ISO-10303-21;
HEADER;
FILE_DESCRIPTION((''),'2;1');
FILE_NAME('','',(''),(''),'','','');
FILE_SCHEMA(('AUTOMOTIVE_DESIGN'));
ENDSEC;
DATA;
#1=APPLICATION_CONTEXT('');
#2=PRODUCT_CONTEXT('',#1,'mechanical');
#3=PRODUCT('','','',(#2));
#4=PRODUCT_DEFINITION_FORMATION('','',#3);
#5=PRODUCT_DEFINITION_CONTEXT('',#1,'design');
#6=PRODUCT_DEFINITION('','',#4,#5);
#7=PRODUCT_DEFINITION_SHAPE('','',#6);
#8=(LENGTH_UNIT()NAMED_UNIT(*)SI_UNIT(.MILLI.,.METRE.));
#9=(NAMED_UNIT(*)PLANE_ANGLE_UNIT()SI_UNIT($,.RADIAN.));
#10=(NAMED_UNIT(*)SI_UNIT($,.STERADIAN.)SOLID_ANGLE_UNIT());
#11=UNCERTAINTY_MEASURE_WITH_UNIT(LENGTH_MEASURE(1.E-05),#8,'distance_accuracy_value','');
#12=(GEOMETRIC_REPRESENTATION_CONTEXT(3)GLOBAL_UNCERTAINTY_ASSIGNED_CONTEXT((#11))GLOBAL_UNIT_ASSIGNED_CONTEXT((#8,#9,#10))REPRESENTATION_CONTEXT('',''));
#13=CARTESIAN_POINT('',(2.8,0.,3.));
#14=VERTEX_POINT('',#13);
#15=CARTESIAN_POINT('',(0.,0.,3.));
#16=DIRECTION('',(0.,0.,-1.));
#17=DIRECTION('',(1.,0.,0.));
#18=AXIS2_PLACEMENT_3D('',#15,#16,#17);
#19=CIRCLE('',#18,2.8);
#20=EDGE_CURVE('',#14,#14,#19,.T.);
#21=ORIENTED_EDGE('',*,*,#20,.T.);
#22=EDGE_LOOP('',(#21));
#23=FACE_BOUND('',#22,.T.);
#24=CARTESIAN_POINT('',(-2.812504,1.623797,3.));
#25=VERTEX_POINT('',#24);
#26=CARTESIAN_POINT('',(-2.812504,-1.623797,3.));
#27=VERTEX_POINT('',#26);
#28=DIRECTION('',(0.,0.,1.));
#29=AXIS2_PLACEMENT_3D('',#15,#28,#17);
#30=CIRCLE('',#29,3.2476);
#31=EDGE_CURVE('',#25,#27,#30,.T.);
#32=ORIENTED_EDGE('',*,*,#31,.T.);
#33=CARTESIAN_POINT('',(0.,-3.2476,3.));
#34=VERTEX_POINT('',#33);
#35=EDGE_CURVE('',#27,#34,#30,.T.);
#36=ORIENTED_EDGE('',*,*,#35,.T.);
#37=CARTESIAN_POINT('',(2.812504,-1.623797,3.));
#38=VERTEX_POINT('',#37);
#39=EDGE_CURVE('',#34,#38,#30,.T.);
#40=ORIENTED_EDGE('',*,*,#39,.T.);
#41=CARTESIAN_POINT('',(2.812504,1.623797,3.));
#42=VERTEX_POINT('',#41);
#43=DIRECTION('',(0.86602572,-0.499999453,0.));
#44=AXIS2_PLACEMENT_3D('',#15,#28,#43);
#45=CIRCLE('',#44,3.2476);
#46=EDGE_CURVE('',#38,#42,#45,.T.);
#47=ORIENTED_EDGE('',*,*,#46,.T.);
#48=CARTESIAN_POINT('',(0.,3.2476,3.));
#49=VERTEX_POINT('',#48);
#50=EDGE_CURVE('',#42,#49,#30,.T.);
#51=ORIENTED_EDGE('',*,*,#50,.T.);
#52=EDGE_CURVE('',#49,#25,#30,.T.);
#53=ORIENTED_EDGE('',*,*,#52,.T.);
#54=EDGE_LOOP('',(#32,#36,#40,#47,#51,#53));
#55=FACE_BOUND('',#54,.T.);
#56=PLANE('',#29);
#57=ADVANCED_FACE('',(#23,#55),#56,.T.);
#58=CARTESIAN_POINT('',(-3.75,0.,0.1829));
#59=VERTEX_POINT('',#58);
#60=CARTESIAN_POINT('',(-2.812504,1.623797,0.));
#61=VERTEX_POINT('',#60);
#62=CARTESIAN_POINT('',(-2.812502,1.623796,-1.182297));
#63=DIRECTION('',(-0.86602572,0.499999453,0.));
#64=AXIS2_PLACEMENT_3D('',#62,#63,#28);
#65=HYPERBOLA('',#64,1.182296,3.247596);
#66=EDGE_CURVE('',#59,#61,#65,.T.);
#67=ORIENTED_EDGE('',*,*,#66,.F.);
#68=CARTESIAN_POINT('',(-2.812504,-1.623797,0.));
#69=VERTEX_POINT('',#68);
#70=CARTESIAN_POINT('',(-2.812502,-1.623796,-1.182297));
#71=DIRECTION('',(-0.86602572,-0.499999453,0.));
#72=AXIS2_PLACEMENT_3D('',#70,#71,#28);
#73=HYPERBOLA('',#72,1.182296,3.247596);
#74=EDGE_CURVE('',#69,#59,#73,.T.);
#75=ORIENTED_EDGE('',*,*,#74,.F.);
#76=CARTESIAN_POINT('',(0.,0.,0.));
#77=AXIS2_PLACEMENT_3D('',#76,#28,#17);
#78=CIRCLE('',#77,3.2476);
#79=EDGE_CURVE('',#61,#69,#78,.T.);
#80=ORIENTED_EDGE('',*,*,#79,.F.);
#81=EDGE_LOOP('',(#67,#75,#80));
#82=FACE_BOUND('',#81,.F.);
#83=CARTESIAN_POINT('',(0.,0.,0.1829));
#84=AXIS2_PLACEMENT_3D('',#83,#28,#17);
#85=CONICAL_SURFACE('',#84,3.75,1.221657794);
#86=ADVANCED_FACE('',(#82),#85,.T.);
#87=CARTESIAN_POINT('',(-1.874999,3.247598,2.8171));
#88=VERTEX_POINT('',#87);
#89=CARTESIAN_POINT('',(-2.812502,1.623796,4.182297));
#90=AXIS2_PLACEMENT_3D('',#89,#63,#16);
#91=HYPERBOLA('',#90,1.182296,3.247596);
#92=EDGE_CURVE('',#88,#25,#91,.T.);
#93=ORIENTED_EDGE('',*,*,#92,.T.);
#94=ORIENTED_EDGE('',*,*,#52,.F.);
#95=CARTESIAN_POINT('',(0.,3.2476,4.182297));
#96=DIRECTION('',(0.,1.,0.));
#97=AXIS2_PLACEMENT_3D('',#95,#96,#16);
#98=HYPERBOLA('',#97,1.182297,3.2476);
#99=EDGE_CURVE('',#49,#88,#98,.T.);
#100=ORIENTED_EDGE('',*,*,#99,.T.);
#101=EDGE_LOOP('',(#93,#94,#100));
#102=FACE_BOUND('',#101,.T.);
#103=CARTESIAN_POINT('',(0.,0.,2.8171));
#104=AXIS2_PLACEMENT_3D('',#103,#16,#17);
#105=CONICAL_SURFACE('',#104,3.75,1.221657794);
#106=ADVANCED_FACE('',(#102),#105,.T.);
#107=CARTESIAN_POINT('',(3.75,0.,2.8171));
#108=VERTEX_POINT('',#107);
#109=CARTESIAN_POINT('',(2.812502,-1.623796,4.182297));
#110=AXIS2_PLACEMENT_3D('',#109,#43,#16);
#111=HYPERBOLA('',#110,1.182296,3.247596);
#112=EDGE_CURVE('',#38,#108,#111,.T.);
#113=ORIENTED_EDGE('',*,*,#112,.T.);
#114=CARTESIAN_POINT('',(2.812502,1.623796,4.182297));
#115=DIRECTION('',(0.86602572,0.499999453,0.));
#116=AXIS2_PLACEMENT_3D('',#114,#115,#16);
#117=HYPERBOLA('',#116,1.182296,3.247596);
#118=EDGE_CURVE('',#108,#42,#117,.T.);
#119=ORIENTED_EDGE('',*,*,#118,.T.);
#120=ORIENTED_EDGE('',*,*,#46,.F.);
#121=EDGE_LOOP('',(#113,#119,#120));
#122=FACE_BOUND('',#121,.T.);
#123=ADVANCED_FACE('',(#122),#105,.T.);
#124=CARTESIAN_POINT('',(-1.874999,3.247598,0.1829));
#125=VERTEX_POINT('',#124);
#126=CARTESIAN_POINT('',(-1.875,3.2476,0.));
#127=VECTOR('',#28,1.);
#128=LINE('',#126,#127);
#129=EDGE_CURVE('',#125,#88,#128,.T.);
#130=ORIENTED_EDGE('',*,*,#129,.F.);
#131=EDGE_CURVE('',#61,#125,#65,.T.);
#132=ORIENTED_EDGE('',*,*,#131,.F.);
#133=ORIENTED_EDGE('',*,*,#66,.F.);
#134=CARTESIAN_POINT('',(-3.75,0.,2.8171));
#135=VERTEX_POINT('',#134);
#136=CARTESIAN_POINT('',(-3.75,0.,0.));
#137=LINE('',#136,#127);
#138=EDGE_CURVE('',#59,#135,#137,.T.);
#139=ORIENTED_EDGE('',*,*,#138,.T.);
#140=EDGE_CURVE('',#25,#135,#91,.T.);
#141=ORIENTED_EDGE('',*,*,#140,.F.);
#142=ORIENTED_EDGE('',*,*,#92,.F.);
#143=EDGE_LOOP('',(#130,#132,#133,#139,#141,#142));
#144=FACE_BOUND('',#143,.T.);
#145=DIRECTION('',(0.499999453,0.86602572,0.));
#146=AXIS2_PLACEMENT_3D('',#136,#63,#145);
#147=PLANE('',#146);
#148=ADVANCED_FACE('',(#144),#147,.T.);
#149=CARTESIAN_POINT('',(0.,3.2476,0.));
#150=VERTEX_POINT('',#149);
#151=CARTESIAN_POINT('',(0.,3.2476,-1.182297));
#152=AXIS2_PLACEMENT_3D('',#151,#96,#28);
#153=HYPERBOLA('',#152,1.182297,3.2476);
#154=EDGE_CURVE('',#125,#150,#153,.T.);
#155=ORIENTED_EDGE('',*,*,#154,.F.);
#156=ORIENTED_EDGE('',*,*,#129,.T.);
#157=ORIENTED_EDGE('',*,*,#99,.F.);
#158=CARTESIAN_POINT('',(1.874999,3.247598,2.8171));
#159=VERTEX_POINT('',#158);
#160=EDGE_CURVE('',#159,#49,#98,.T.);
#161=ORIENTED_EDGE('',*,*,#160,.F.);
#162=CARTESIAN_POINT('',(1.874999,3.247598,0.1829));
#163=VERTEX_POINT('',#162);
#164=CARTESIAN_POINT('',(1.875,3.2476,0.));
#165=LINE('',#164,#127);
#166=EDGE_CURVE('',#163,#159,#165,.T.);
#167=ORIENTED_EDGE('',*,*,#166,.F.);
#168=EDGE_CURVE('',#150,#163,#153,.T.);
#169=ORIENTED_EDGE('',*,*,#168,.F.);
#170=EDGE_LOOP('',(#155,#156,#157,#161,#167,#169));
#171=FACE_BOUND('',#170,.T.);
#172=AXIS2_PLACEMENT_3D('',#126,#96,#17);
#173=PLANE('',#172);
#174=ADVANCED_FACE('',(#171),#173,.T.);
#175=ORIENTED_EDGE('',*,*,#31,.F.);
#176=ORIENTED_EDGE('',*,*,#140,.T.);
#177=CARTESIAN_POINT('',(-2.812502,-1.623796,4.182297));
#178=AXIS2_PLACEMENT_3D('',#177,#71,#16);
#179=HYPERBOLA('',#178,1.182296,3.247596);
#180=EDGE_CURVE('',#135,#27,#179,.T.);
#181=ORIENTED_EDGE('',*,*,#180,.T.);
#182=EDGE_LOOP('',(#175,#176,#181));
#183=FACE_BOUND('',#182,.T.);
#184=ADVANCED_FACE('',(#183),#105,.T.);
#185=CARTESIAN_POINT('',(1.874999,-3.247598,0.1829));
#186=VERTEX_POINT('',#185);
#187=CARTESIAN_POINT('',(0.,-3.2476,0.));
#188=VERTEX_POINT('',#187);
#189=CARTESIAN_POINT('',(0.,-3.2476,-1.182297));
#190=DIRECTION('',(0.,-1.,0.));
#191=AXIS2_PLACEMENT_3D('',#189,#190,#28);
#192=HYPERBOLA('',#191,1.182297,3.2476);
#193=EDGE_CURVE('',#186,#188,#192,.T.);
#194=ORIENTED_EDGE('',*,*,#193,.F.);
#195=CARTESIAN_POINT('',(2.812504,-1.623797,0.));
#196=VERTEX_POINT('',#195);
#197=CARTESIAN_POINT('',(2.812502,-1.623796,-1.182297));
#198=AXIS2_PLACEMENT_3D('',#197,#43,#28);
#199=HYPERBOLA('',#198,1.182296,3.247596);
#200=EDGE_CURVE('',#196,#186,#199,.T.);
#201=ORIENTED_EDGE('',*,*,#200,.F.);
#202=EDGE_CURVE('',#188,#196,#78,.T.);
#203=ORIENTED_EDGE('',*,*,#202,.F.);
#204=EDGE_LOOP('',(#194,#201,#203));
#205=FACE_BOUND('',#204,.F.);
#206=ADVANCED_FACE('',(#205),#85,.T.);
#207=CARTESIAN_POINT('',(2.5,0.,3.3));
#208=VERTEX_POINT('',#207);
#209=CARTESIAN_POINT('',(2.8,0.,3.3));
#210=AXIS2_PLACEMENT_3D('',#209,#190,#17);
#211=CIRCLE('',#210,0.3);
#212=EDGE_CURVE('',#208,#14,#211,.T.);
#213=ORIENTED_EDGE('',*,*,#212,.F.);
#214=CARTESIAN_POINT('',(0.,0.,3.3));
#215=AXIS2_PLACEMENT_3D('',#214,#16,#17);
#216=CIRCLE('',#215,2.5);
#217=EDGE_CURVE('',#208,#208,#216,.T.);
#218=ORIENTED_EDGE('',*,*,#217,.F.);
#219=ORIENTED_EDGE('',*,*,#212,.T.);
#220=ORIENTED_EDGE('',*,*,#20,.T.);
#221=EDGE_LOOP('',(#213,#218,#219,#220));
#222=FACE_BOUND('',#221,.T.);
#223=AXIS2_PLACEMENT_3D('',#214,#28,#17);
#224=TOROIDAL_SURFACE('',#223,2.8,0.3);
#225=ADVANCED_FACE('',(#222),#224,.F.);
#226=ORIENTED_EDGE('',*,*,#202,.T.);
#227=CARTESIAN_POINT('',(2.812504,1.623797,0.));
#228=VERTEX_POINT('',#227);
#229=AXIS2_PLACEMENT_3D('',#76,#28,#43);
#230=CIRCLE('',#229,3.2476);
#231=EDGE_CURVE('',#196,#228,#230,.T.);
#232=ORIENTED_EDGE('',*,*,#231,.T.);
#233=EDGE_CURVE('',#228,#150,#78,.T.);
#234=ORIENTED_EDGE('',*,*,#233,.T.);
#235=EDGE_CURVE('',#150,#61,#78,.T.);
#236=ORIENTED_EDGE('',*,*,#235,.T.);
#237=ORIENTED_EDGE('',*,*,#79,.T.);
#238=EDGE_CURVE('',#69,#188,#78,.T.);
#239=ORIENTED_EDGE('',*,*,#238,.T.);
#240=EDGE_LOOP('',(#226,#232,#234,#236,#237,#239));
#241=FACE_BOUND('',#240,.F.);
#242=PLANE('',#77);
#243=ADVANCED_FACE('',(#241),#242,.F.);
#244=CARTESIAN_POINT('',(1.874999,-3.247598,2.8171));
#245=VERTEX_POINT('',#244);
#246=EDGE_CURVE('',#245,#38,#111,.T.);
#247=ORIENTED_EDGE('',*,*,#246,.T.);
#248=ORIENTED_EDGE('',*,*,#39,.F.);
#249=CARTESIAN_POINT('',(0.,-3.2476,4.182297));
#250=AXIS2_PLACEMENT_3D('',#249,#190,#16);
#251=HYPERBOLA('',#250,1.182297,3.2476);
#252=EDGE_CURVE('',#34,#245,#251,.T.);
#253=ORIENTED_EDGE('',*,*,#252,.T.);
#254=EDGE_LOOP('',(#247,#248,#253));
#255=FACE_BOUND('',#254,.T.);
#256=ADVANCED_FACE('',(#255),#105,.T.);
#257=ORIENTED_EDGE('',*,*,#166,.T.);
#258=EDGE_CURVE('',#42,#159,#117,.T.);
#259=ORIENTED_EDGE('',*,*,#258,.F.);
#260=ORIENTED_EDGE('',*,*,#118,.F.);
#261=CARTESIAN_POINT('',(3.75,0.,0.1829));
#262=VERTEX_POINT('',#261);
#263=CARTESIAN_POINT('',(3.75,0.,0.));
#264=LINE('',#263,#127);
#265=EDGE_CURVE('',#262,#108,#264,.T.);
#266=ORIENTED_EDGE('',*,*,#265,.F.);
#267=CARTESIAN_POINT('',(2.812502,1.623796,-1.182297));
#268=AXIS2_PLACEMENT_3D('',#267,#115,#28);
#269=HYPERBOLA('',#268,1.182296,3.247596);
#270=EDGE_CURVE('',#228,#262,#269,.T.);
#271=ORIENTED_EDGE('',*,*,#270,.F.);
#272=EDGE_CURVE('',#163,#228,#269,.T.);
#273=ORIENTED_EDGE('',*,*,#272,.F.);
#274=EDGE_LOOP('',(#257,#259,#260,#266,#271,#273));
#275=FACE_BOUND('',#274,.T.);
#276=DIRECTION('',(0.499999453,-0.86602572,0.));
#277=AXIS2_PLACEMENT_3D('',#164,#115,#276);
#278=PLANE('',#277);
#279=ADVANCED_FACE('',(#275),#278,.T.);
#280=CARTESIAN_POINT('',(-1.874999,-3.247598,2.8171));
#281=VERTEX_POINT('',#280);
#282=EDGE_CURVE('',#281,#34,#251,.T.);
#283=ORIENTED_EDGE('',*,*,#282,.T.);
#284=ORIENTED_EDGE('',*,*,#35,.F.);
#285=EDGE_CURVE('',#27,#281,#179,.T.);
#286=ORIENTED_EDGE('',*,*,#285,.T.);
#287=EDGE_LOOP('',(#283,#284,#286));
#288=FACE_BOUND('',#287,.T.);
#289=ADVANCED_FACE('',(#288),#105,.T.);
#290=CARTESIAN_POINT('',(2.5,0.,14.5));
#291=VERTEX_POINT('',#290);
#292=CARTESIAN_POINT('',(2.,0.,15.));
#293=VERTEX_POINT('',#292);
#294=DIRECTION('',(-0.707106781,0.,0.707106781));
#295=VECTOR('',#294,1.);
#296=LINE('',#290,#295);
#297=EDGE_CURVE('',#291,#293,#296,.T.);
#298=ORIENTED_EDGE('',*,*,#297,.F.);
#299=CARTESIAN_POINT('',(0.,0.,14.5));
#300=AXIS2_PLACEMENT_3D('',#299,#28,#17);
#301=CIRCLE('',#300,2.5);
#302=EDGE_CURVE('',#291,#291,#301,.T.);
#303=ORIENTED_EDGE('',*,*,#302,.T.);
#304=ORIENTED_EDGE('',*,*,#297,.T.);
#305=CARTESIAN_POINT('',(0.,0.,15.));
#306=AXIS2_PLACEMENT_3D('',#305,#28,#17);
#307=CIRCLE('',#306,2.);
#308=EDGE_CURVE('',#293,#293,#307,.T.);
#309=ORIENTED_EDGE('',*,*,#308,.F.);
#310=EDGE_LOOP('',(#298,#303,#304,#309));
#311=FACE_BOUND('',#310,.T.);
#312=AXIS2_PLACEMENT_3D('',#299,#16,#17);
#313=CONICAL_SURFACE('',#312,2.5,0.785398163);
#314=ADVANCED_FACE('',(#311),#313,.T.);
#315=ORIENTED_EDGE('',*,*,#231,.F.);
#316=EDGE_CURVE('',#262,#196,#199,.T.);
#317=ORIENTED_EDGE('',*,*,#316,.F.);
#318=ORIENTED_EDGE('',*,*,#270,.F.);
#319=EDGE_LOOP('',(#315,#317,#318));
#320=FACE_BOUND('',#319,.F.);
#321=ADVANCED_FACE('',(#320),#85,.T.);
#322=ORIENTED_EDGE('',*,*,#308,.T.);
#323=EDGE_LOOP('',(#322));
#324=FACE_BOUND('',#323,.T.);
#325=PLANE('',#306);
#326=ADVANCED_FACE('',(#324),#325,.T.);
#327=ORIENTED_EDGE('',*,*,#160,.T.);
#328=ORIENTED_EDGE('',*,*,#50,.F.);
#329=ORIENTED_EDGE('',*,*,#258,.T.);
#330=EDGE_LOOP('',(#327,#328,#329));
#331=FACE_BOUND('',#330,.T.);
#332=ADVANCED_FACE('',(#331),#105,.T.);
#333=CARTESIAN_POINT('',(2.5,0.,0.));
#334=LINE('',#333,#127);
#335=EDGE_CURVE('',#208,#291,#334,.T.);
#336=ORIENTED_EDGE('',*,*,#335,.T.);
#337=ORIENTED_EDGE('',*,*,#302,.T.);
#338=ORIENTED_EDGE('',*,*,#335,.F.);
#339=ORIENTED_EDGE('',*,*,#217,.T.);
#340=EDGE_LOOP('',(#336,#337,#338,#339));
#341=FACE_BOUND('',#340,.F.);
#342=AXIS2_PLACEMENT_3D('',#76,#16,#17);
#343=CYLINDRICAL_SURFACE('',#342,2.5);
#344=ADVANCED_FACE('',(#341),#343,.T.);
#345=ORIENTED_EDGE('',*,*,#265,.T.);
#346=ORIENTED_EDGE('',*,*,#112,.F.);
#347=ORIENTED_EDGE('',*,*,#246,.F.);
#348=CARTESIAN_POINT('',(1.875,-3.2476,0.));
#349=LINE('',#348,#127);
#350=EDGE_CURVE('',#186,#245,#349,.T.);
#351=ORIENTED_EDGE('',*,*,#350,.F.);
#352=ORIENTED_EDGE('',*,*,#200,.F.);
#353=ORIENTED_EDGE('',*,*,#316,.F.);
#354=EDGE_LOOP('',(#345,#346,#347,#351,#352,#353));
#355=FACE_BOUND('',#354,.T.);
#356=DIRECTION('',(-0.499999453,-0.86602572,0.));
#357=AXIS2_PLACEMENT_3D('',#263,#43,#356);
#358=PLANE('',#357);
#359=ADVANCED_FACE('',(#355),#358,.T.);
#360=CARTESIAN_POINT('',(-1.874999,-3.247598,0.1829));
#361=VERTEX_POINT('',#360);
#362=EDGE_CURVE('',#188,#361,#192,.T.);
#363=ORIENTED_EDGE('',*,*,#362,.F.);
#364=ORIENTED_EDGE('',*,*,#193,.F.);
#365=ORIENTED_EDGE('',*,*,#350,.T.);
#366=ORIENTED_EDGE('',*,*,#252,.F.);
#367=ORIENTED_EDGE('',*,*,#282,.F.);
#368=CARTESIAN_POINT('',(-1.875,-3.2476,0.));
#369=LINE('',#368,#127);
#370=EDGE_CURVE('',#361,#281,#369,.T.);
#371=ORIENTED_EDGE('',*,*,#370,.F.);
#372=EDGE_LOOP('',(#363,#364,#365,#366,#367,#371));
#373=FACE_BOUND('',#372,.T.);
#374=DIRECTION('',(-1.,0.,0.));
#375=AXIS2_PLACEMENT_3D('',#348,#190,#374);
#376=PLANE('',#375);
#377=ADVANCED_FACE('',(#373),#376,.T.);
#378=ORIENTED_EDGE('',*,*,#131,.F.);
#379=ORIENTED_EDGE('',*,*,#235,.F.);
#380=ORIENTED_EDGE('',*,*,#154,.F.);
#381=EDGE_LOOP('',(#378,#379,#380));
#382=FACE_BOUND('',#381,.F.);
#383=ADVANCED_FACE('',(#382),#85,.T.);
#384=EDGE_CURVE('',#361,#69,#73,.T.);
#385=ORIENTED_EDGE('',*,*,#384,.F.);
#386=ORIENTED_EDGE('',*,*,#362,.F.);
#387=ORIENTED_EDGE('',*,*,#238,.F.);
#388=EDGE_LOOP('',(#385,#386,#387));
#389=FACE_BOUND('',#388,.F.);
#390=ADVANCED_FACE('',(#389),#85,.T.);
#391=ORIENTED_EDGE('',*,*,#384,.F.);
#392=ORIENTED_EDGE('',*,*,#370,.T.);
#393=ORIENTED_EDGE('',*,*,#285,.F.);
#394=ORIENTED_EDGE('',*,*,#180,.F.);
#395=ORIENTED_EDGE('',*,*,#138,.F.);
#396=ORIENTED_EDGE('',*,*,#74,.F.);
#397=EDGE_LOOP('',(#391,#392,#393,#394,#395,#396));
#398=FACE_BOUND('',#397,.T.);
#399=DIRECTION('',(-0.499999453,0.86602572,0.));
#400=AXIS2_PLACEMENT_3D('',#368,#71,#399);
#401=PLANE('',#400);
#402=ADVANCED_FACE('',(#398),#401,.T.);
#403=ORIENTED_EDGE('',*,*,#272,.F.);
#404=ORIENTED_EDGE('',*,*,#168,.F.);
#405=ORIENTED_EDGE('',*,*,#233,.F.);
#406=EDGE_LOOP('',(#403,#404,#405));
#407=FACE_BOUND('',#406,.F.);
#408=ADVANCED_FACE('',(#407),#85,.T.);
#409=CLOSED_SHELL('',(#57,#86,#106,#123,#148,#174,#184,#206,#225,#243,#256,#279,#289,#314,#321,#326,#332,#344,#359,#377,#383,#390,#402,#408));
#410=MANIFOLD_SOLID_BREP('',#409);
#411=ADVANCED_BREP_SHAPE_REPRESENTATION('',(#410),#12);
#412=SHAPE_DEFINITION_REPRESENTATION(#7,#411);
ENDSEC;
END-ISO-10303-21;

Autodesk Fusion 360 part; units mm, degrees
sketch "草图1" plane through (0, 0, 0) normal (0, 0, 1) x (1, 0, 0) in component "Component"
  line L0 (1.875, 3.2476) -> (3.75, 0)
  line L1 (-1.875, 3.2476) -> (1.875, 3.2476)
  line L2 (-3.75, 0) -> (-1.875, 3.2476)
  line L3 (-1.875, -3.2476) -> (-3.75, 0)
  line L4 (1.875, -3.2476) -> (-1.875, -3.2476)
  line L5 (3.75, 0) -> (1.875, -3.2476)
extrude "拉伸1" add sketch "草图1" along normal blind 3 in component "Component"
sketch "草图2" plane through (0, 0, 0) normal (0, 0, 1) x (1, 0, 0) in component "Component"
  circle A0 centre (0, 0) radius 2.5
extrude "拉伸2" add sketch "草图2" along normal blind 15 in component "Component"
chamfer "倒角1" distance 0.5 angle 45 1 edges at (-2.3308, -0.904, 15) in component "Component"
fillet "圆角1" radius 0.3 1 edges at (-2.3308, 0.904, 3) in component "Component"
sketch "草图3" plane through (0, 0, 0) normal (0, 1, 0) x (1, 0, 0) in component "Component"
  line L0 (3.2476, 0) -> (3.75, 0)
  line L1 (3.75, 0) -> (3.75, -0.1829)
  line L2 (3.75, -0.1829) -> (3.2476, 0)
  line L3 (3.2476, -3) -> (3.75, -3)
  line L4 (3.75, -3) -> (3.75, -2.8171)
  line L5 (3.75, -2.8171) -> (3.2476, -3)
revolve "旋转1" cut sketch "草图3" angle 360 about axis through (0, 0, 1.75) along (0, 0, 1) contours L3 L4 L5 in component "Component"
revolve "旋转2" cut sketch "草图3" angle 360 about axis through (0, 0, 1.75) along (0, 0, 1) contours L0 L1 L2 in component "Component"
thread "螺纹1" in component "Component"
component "Component" placed x (1, 0, 0) y (0, 1, 0) z (0, 0, 1) at (0, 0, 0)
